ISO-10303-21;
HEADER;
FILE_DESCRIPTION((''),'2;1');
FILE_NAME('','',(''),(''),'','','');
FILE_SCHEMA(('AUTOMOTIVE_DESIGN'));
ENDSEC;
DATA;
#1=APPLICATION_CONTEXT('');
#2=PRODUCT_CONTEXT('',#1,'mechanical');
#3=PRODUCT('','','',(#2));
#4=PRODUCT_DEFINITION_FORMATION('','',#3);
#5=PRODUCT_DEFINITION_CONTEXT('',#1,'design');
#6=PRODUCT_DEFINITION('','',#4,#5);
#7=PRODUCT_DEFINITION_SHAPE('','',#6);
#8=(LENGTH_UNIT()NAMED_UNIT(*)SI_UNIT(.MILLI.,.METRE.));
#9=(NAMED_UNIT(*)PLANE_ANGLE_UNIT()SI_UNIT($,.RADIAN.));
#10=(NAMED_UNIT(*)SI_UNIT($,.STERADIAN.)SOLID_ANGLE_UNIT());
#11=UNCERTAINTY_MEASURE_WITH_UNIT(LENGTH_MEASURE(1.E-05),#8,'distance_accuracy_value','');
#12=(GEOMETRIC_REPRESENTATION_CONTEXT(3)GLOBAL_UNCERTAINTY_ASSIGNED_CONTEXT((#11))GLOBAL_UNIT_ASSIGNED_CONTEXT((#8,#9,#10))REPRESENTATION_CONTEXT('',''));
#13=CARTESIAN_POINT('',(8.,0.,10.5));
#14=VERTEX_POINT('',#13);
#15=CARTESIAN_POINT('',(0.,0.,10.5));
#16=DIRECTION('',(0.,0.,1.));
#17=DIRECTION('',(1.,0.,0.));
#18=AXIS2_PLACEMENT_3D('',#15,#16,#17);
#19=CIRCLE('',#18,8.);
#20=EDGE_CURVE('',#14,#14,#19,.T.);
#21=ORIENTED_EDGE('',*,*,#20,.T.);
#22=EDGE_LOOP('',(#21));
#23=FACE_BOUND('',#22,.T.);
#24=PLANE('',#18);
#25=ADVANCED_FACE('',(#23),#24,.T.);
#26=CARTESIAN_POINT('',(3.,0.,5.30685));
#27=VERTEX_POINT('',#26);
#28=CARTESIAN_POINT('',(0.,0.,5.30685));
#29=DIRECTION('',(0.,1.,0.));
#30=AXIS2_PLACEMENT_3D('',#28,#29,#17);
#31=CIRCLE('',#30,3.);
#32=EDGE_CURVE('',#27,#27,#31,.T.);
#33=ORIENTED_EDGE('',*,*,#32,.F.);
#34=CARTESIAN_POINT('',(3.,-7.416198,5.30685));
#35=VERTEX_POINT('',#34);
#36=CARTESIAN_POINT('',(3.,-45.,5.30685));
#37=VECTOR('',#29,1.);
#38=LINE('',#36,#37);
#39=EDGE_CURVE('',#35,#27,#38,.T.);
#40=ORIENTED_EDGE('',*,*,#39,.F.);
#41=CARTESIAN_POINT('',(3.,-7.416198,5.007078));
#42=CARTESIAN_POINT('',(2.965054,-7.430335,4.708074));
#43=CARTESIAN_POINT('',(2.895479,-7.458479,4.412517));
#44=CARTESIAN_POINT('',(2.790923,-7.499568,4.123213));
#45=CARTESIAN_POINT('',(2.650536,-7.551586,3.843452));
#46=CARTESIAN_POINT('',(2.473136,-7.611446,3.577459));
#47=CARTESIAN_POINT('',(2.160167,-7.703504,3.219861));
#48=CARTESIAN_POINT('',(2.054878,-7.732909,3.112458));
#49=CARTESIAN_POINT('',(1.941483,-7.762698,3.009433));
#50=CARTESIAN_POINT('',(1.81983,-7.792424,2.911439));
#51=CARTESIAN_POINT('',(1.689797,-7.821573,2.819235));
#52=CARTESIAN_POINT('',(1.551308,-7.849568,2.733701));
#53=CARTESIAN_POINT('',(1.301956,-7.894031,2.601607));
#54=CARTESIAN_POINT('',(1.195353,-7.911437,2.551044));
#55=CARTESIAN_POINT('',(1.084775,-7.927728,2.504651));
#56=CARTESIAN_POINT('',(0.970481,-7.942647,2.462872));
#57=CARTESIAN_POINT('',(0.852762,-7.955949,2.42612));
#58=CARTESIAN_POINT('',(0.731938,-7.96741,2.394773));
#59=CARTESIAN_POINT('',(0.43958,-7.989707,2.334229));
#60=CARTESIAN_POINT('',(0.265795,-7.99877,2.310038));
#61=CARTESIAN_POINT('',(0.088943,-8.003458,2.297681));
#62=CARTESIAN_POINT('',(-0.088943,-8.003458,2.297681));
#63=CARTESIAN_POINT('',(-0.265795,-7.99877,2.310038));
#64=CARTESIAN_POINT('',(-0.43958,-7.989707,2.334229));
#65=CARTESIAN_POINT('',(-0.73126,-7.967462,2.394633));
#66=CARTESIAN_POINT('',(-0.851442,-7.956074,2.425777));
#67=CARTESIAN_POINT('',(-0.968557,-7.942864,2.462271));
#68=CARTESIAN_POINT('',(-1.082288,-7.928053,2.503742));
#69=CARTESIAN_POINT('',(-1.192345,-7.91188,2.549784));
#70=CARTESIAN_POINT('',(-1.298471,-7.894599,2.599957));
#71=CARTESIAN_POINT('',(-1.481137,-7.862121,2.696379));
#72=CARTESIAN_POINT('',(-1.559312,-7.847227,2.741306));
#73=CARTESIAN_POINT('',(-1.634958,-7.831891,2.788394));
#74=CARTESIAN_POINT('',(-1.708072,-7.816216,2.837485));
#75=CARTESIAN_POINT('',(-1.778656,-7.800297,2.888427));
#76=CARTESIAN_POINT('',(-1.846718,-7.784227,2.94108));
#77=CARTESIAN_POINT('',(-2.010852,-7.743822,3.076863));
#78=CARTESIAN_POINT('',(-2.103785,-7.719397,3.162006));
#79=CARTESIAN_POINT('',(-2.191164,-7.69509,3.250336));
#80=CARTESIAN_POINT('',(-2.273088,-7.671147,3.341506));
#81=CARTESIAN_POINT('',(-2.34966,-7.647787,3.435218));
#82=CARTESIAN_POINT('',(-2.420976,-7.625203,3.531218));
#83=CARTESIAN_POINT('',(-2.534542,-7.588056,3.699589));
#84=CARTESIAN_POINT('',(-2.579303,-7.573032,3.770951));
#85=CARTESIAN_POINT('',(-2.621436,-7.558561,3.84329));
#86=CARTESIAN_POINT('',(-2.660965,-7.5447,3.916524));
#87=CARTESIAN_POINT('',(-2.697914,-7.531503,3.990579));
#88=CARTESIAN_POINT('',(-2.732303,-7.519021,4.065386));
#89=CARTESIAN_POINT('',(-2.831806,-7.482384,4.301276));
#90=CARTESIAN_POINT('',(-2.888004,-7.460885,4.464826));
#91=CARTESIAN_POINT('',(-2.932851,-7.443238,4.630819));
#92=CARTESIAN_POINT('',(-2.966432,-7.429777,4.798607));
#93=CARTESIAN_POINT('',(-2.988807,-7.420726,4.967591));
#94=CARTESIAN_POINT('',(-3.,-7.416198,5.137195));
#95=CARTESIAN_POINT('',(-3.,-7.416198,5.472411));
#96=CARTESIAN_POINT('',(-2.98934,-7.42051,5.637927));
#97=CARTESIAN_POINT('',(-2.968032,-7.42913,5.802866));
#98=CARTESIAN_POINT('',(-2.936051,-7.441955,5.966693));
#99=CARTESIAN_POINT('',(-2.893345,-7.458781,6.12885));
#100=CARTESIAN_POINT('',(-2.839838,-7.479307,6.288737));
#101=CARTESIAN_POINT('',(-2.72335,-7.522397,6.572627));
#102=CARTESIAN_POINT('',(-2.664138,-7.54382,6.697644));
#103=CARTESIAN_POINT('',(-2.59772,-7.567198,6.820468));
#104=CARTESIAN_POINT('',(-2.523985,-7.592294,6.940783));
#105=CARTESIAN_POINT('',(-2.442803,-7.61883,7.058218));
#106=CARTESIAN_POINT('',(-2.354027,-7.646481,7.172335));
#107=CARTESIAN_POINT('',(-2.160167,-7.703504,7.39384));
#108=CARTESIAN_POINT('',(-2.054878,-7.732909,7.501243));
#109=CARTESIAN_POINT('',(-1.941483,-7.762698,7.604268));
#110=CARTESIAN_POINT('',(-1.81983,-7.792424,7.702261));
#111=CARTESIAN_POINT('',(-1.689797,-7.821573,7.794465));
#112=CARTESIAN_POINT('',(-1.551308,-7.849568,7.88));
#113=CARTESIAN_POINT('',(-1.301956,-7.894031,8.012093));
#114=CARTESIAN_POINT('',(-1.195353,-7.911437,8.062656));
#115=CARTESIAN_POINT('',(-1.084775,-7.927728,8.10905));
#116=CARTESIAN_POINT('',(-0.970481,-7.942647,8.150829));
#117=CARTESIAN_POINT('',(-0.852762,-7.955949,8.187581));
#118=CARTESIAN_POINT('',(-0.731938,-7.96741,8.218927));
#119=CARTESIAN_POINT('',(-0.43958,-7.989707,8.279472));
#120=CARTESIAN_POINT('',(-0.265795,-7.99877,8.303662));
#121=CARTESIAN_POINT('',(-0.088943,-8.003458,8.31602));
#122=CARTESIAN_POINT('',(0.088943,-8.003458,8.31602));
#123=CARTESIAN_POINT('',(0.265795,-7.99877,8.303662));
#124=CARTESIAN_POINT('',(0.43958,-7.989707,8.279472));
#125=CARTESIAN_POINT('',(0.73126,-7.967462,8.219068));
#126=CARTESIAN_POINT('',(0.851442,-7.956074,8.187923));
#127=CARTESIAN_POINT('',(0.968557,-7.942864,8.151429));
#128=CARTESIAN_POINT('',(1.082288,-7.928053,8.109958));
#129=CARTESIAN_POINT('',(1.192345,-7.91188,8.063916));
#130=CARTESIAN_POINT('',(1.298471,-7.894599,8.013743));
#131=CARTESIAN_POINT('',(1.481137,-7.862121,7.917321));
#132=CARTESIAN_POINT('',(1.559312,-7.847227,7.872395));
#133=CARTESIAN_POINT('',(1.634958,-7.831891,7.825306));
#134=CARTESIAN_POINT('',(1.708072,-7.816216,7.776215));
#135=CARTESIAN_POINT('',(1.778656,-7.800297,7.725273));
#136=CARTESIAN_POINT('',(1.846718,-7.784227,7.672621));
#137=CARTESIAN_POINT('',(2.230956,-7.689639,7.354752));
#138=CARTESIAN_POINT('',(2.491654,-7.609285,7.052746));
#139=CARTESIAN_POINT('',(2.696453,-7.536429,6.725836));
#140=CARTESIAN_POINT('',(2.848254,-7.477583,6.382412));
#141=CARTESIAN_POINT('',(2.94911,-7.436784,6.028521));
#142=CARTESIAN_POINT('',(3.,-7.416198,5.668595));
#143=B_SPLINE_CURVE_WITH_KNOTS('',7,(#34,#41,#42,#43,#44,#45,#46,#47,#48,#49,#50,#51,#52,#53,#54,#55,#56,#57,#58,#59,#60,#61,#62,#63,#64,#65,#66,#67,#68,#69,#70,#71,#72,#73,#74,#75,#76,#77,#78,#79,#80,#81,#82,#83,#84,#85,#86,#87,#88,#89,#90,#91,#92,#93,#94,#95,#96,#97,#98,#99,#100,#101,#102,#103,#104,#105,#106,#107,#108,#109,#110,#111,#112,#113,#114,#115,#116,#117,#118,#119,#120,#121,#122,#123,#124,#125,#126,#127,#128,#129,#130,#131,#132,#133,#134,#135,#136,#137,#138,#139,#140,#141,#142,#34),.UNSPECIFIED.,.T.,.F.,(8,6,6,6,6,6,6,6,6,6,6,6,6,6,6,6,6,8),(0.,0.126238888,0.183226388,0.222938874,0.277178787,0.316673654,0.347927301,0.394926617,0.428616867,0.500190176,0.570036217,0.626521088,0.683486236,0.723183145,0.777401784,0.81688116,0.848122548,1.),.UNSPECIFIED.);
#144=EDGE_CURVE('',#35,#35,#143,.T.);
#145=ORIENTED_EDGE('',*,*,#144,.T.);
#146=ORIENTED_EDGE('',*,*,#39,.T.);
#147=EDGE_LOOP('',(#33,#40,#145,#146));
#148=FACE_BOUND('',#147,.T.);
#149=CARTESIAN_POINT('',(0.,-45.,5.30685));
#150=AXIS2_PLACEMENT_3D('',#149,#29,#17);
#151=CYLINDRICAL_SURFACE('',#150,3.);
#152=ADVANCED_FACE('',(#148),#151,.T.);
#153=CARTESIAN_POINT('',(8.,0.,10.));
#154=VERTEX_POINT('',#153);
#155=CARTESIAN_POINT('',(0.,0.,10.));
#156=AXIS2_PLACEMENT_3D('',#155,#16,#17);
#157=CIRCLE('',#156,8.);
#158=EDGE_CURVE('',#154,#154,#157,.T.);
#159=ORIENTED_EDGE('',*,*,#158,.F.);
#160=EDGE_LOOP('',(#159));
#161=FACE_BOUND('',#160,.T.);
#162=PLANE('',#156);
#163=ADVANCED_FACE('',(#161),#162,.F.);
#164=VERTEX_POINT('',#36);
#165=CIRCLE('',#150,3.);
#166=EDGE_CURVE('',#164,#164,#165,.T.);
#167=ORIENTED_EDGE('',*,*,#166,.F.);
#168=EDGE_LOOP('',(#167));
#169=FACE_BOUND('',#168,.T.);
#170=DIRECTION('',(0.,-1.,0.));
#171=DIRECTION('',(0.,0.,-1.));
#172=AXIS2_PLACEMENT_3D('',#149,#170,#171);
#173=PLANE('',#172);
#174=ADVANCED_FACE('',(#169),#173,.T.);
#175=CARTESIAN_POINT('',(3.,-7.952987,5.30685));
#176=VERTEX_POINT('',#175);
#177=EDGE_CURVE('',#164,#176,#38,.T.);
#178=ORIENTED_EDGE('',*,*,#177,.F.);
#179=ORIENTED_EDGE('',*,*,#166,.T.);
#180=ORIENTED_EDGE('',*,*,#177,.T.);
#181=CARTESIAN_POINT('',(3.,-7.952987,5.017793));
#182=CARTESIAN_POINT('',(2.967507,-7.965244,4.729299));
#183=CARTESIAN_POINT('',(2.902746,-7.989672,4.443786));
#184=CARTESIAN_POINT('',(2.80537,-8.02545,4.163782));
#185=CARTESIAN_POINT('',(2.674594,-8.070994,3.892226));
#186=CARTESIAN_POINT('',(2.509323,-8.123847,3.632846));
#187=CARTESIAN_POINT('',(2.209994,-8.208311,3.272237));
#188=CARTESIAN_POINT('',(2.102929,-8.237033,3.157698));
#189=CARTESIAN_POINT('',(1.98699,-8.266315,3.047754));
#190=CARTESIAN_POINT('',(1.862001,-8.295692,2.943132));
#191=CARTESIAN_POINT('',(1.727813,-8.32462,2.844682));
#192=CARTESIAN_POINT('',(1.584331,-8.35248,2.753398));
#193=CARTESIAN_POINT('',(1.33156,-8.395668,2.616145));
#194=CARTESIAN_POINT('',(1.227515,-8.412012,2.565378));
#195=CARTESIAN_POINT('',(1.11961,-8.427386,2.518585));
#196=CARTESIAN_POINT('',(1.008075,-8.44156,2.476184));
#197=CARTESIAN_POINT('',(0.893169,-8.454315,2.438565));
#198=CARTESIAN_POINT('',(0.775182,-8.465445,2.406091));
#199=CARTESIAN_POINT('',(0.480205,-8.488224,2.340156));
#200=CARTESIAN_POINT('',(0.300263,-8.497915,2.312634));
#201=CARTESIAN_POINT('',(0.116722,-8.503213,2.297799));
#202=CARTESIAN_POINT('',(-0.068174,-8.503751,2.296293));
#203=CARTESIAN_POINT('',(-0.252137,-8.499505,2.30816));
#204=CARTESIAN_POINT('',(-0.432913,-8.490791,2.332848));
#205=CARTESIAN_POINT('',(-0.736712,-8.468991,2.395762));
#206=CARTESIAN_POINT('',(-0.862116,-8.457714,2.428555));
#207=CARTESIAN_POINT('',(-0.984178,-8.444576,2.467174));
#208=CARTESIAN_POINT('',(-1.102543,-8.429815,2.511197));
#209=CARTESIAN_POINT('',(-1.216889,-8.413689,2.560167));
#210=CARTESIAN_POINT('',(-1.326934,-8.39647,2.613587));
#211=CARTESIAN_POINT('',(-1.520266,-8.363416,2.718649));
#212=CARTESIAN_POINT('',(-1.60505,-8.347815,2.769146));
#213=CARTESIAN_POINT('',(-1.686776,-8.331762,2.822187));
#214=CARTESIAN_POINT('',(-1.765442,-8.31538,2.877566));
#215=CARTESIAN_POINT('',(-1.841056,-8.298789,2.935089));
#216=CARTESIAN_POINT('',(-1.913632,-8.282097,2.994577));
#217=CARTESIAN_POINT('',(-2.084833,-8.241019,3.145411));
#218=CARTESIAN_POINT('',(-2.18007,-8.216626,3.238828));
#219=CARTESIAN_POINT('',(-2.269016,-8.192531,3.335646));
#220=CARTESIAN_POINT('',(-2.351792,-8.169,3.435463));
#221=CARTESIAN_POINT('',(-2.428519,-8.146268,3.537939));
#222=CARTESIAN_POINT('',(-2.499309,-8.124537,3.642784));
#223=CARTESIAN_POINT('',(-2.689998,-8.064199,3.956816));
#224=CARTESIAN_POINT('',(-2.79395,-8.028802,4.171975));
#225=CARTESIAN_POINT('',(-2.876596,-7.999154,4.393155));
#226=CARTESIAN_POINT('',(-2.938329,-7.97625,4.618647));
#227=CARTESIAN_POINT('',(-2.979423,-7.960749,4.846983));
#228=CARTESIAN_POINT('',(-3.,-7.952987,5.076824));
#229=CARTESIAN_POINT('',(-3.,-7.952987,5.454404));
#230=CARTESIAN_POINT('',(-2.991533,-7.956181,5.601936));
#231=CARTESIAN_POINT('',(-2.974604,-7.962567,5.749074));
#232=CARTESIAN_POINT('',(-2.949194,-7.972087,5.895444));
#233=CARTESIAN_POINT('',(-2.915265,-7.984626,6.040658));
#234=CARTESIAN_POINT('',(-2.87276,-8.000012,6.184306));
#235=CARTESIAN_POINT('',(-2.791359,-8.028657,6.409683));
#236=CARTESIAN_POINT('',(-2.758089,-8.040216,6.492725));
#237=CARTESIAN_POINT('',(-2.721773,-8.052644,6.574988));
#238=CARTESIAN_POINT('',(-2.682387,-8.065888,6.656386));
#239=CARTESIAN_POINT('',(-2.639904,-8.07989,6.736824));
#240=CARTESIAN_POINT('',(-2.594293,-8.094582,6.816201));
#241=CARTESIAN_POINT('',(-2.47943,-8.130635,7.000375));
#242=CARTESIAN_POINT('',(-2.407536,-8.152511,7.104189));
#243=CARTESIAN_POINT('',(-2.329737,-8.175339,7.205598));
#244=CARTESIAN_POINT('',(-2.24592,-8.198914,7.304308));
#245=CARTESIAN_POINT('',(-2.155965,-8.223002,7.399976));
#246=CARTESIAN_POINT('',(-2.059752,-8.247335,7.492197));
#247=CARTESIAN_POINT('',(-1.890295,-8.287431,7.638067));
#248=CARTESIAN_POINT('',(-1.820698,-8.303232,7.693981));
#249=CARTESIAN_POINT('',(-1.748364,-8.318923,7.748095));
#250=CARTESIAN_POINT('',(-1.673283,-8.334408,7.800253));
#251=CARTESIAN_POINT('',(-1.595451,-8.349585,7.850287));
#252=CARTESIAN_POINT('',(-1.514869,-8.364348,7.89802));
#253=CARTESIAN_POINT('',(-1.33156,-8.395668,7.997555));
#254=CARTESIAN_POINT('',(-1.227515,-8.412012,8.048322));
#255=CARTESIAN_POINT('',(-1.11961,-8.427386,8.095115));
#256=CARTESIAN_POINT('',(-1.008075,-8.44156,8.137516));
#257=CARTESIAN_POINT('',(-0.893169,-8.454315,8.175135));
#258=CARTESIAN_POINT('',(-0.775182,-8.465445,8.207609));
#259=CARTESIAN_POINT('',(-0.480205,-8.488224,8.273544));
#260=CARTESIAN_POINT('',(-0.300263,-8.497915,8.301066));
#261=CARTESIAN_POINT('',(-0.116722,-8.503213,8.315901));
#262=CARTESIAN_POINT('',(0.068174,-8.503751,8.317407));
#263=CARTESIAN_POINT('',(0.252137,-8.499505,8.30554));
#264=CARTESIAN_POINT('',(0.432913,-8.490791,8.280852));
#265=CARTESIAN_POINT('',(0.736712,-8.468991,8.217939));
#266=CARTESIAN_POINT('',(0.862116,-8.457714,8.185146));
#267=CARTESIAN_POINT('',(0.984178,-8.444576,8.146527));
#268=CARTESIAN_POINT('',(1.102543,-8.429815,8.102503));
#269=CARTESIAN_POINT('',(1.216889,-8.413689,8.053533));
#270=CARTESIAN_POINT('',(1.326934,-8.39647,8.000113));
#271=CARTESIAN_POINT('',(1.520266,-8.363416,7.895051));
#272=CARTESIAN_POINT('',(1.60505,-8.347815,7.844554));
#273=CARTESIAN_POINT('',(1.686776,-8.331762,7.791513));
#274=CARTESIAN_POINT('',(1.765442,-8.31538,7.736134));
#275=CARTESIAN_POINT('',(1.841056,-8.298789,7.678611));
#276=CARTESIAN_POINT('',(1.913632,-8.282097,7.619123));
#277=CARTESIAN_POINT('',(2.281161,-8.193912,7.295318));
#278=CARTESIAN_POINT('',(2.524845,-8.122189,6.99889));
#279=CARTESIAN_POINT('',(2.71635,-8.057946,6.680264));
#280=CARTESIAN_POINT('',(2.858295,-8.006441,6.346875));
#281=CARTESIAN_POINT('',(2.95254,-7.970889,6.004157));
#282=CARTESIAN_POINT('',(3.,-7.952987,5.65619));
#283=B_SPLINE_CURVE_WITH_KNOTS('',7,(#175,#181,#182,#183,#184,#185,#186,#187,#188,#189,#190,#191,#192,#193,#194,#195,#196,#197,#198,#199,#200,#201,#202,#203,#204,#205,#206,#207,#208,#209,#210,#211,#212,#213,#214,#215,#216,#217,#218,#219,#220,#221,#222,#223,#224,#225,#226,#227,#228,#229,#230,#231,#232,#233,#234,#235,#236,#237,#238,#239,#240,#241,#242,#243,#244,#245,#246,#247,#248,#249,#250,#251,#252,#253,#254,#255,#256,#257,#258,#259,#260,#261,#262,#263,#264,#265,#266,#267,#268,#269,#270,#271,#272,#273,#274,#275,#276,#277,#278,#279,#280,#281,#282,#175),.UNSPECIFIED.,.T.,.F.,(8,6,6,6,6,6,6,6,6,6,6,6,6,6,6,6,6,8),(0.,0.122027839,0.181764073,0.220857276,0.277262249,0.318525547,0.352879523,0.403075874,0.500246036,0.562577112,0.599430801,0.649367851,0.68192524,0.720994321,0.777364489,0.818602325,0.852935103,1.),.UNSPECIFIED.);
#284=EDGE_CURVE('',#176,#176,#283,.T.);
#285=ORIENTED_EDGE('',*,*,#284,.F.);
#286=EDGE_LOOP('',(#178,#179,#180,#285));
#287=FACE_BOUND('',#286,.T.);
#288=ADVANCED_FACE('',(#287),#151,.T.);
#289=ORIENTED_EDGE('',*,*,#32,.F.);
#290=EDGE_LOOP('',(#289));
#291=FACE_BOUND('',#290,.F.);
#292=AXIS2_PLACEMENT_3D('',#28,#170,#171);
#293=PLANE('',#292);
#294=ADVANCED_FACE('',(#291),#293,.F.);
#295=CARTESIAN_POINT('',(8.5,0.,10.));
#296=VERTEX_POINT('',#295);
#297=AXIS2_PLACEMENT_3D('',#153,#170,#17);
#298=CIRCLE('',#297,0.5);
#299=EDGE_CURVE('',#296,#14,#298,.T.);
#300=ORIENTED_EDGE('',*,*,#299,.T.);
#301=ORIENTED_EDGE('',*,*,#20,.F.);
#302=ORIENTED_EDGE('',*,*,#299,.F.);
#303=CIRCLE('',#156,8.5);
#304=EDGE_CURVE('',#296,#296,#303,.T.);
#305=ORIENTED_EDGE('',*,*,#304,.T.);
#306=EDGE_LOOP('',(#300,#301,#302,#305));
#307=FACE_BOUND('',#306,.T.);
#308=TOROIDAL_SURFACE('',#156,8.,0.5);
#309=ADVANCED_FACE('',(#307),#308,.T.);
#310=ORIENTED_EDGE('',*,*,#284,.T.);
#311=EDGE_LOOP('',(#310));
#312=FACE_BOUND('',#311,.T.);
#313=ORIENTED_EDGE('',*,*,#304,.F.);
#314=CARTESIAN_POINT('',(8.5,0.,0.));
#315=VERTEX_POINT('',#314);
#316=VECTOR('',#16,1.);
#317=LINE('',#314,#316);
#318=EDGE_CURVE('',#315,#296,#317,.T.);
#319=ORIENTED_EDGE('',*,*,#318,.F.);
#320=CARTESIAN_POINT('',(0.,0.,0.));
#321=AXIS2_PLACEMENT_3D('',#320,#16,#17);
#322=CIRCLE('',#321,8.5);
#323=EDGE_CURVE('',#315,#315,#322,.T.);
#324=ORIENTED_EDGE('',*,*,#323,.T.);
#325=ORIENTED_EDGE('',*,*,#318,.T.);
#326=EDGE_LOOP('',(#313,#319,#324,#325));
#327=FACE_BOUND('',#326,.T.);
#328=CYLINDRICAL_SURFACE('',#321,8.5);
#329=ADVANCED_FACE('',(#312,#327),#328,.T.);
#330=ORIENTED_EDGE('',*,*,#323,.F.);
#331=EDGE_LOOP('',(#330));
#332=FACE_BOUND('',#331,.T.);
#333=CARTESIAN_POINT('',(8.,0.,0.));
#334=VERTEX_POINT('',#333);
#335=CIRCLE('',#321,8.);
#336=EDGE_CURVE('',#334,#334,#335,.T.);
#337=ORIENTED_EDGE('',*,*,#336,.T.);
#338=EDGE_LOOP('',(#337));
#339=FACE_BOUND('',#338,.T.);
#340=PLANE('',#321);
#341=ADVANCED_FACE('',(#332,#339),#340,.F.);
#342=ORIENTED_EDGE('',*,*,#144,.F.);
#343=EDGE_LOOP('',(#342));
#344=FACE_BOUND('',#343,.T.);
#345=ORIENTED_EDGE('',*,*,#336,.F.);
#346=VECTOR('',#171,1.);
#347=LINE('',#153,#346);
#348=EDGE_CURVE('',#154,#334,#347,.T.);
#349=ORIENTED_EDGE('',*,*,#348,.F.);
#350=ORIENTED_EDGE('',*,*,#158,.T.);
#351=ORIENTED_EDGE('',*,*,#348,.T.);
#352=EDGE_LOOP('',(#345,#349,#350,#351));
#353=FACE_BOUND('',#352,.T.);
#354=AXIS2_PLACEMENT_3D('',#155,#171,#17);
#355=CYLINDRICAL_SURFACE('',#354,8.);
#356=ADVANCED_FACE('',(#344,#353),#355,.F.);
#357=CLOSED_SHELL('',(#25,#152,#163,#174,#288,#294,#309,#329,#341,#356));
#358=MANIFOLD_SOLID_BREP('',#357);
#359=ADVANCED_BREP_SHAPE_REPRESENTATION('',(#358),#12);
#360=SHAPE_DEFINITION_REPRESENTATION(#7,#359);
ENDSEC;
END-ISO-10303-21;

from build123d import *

# Parameters (mm, degrees)
F4_R = 3


with BuildPart() as f2:
    # F1 (on Front) → F2 (revolve)
    with BuildSketch(Plane.XZ):
        with BuildLine():
            Line((8, 10), (8, 0))
            Line((8, 0), (8.5, 0))
            Line((8.5, 0), (8.5, 10))
            ThreePointArc((8.5, 10), (8.3535533906, 10.3535533906), (8, 10.5))
            Line((8, 10.5), (0, 10.5))
            Line((0, 10.5), (0, 10))
            Line((0, 10), (8, 10))
        make_face()
    revolve(axis=Axis((0, 0, 0), (0, 0, 1)))

    # F5: sweep along a path in F3
    with BuildLine(Plane.YZ) as f5_path:
        Line((-53, 5.2680876106), (-8, 5.2680876106))
    # F4 (on Front) → F5 (sweep)
    with BuildSketch(Plane.XZ):
        with Locations((0, 5.3068501875)):
            Circle(F4_R)
    sweep(path=f5_path.line)


solid = f2.part
